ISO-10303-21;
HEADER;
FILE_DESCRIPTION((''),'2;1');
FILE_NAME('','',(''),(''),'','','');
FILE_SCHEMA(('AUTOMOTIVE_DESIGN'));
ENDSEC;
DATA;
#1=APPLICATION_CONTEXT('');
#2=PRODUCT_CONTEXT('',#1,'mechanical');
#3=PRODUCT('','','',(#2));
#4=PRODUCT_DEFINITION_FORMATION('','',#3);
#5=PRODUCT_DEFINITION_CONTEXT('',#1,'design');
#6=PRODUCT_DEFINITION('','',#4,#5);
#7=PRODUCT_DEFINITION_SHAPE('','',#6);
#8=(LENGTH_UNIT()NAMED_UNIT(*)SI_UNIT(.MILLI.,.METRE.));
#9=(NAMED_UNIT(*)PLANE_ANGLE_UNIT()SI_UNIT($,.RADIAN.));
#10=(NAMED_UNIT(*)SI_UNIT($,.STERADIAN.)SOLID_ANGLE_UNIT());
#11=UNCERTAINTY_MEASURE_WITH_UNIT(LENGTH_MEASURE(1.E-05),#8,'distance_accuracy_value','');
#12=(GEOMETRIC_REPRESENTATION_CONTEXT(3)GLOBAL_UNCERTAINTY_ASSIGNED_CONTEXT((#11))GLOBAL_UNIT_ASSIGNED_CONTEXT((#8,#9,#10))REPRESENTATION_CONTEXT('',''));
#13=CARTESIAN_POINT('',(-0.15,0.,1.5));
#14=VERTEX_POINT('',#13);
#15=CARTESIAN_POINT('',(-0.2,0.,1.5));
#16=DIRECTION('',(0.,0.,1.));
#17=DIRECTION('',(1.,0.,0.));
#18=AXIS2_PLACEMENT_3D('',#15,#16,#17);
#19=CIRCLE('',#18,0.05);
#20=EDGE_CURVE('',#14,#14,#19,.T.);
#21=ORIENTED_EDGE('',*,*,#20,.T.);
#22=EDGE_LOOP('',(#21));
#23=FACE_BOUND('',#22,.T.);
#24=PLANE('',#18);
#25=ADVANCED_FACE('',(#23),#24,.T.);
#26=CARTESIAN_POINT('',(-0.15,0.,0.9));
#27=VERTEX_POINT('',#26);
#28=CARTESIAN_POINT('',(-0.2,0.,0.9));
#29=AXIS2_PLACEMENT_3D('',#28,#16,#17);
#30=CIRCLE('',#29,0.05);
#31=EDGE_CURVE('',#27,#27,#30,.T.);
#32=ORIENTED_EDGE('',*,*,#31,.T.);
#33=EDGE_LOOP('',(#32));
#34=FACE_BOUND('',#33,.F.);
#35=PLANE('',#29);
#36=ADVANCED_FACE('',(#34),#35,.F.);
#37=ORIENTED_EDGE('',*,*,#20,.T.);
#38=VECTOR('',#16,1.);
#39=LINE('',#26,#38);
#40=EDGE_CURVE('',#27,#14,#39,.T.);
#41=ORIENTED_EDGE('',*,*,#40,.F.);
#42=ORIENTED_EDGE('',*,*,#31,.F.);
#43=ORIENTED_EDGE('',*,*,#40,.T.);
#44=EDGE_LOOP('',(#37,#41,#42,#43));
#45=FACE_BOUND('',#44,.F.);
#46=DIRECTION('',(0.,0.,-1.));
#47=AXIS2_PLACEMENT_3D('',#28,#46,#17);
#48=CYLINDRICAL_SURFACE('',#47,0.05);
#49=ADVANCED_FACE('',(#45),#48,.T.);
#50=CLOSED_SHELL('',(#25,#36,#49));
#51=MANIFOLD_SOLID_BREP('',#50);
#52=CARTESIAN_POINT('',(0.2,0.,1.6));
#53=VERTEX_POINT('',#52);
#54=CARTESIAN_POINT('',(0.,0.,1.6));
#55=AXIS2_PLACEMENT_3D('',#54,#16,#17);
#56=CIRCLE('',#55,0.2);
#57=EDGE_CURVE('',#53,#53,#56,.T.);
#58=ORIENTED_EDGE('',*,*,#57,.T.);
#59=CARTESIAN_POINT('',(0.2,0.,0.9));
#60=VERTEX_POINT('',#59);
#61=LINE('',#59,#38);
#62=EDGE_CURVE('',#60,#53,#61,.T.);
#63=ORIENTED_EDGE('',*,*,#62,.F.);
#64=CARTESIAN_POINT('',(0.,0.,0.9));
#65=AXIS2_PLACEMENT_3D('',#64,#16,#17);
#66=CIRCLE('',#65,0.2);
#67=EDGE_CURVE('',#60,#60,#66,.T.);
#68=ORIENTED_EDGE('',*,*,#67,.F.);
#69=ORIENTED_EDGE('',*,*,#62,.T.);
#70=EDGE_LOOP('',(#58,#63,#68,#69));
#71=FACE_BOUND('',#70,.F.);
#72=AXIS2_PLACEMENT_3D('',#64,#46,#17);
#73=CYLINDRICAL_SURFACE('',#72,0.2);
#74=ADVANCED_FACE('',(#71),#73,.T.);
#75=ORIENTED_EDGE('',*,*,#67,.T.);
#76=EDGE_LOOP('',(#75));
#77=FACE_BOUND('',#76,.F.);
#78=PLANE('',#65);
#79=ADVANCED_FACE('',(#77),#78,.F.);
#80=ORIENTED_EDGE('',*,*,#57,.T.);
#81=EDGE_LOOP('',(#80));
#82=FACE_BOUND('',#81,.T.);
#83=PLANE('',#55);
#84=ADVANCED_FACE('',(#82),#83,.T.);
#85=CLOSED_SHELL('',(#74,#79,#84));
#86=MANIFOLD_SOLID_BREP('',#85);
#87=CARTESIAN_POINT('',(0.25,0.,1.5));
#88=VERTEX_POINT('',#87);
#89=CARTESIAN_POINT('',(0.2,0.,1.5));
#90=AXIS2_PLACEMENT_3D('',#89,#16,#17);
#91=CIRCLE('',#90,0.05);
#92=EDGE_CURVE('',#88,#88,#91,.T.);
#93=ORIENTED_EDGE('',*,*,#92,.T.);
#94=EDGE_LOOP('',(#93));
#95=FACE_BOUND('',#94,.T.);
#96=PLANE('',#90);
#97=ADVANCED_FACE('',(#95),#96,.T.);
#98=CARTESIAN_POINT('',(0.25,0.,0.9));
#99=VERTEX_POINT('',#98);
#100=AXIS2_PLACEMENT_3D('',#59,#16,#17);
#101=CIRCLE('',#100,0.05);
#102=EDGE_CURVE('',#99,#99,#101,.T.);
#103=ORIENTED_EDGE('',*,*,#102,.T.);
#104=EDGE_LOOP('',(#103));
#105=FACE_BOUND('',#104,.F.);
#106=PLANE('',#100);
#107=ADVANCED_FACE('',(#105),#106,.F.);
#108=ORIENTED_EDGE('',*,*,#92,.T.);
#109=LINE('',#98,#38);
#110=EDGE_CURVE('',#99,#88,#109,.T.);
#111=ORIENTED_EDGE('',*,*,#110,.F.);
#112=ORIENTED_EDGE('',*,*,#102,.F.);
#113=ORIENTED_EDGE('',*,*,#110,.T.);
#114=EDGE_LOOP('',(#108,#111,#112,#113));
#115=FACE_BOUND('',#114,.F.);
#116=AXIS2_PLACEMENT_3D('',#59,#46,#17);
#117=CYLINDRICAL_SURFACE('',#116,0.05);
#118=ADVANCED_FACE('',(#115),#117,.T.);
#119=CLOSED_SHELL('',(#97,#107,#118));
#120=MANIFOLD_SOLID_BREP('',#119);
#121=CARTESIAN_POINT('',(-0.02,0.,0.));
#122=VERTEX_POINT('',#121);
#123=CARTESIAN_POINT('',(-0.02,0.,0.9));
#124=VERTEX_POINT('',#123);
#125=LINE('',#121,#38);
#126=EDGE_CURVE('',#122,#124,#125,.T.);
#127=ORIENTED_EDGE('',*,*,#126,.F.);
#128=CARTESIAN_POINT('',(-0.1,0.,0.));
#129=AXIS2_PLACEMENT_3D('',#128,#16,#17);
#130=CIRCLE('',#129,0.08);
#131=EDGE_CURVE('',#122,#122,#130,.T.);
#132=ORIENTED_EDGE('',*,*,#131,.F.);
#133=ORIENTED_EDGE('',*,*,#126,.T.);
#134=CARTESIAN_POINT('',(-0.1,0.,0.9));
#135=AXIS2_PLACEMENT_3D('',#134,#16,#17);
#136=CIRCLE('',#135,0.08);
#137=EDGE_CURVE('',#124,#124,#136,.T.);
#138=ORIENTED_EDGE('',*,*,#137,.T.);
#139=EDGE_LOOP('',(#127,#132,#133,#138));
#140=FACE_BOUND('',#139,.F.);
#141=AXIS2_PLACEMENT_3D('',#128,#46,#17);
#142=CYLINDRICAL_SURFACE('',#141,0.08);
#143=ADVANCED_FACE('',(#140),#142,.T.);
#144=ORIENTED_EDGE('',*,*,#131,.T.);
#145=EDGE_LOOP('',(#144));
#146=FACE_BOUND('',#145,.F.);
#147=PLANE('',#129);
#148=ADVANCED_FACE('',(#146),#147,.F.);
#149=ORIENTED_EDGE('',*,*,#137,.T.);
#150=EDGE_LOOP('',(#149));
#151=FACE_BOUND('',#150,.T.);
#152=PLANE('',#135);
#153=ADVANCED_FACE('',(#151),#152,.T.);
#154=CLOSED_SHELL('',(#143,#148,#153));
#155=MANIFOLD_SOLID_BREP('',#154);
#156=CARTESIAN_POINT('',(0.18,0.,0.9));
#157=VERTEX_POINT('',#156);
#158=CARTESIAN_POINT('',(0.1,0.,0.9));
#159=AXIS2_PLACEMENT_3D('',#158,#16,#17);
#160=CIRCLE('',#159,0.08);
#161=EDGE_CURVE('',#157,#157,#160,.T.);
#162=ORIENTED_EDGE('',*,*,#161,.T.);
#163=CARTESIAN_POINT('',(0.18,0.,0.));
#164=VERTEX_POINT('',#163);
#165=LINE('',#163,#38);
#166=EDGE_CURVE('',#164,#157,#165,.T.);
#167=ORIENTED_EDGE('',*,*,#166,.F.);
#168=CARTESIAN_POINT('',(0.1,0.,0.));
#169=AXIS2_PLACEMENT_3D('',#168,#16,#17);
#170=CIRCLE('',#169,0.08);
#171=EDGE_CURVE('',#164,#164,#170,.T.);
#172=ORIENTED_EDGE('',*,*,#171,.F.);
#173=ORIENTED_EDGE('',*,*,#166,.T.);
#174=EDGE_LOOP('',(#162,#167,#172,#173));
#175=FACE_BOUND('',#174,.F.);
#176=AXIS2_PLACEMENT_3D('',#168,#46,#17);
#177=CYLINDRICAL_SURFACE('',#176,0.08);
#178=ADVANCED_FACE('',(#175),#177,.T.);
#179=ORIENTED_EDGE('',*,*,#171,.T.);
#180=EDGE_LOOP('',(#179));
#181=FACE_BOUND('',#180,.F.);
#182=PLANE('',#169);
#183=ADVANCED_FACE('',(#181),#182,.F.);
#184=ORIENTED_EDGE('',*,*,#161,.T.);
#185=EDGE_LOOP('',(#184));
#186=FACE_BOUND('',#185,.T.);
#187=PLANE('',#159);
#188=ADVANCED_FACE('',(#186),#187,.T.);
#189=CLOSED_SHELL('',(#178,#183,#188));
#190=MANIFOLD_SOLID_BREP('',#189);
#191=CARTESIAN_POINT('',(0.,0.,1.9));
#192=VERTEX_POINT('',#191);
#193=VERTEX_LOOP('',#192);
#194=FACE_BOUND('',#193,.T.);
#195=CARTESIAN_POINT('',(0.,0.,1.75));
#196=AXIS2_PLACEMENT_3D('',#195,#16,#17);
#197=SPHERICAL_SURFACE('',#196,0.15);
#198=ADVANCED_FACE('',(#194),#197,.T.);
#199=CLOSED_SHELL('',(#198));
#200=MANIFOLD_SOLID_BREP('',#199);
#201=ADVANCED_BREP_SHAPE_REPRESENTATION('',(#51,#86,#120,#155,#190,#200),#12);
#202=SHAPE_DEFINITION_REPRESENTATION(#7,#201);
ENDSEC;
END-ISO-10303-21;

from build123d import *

# Parameters (mm, degrees)
CYLINDER_R        = 0.2
CYLINDER_DEPTH    = 0.7
CYLINDER001_R     = 0.05
CYLINDER001_DEPTH = 0.6
CYLINDER002_R     = 0.05
CYLINDER002_DEPTH = 0.6
CYLINDER003_R     = 0.08
CYLINDER003_DEPTH = 0.9
CYLINDER004_R     = 0.08
CYLINDER004_DEPTH = 0.9


with BuildPart() as trunk:
    # Cylinder → Cylinder (new body)
    with BuildSketch(Plane.XY.offset(0.9)):
        Circle(CYLINDER_R)
    extrude(amount=CYLINDER_DEPTH)


with BuildPart() as head:
    # Sphere → Sphere (revolve)
    with BuildSketch(Plane(origin=(0, 0, 1.75), x_dir=(1, 0, 0), z_dir=(0, -1, 0))):
        with BuildLine():
            ThreePointArc((0, -0.15), (0.15, 0), (0, 0.15))
            Line((0, 0.15), (0, -0.15))
        make_face()
    revolve(axis=Axis((0, 0, 1.75), (0, 0, 1)))


with BuildPart() as left_arm:
    # Cylinder001 → Cylinder001 (new body)
    with BuildSketch(Plane(origin=(-0.2, 0, 0.9), x_dir=(1, 0, 0), z_dir=(0, 0, 1))):
        Circle(CYLINDER001_R)
    extrude(amount=CYLINDER001_DEPTH)


with BuildPart() as right_arm:
    # Cylinder002 → Cylinder002 (new body)
    with BuildSketch(Plane(origin=(0.2, 0, 0.9), x_dir=(1, 0, 0), z_dir=(0, 0, 1))):
        Circle(CYLINDER002_R)
    extrude(amount=CYLINDER002_DEPTH)


with BuildPart() as left_leg:
    # Cylinder003 → Cylinder003 (new body)
    with BuildSketch(Plane(origin=(-0.1, 0, 0), x_dir=(1, 0, 0), z_dir=(0, 0, 1))):
        Circle(CYLINDER003_R)
    extrude(amount=CYLINDER003_DEPTH)


with BuildPart() as right_leg:
    # Cylinder004 → Cylinder004 (new body)
    with BuildSketch(Plane(origin=(0.1, 0, 0), x_dir=(1, 0, 0), z_dir=(0, 0, 1))):
        Circle(CYLINDER004_R)
    extrude(amount=CYLINDER004_DEPTH)


solid = Compound([trunk.part, head.part, left_arm.part, right_arm.part, left_leg.part, right_leg.part])
